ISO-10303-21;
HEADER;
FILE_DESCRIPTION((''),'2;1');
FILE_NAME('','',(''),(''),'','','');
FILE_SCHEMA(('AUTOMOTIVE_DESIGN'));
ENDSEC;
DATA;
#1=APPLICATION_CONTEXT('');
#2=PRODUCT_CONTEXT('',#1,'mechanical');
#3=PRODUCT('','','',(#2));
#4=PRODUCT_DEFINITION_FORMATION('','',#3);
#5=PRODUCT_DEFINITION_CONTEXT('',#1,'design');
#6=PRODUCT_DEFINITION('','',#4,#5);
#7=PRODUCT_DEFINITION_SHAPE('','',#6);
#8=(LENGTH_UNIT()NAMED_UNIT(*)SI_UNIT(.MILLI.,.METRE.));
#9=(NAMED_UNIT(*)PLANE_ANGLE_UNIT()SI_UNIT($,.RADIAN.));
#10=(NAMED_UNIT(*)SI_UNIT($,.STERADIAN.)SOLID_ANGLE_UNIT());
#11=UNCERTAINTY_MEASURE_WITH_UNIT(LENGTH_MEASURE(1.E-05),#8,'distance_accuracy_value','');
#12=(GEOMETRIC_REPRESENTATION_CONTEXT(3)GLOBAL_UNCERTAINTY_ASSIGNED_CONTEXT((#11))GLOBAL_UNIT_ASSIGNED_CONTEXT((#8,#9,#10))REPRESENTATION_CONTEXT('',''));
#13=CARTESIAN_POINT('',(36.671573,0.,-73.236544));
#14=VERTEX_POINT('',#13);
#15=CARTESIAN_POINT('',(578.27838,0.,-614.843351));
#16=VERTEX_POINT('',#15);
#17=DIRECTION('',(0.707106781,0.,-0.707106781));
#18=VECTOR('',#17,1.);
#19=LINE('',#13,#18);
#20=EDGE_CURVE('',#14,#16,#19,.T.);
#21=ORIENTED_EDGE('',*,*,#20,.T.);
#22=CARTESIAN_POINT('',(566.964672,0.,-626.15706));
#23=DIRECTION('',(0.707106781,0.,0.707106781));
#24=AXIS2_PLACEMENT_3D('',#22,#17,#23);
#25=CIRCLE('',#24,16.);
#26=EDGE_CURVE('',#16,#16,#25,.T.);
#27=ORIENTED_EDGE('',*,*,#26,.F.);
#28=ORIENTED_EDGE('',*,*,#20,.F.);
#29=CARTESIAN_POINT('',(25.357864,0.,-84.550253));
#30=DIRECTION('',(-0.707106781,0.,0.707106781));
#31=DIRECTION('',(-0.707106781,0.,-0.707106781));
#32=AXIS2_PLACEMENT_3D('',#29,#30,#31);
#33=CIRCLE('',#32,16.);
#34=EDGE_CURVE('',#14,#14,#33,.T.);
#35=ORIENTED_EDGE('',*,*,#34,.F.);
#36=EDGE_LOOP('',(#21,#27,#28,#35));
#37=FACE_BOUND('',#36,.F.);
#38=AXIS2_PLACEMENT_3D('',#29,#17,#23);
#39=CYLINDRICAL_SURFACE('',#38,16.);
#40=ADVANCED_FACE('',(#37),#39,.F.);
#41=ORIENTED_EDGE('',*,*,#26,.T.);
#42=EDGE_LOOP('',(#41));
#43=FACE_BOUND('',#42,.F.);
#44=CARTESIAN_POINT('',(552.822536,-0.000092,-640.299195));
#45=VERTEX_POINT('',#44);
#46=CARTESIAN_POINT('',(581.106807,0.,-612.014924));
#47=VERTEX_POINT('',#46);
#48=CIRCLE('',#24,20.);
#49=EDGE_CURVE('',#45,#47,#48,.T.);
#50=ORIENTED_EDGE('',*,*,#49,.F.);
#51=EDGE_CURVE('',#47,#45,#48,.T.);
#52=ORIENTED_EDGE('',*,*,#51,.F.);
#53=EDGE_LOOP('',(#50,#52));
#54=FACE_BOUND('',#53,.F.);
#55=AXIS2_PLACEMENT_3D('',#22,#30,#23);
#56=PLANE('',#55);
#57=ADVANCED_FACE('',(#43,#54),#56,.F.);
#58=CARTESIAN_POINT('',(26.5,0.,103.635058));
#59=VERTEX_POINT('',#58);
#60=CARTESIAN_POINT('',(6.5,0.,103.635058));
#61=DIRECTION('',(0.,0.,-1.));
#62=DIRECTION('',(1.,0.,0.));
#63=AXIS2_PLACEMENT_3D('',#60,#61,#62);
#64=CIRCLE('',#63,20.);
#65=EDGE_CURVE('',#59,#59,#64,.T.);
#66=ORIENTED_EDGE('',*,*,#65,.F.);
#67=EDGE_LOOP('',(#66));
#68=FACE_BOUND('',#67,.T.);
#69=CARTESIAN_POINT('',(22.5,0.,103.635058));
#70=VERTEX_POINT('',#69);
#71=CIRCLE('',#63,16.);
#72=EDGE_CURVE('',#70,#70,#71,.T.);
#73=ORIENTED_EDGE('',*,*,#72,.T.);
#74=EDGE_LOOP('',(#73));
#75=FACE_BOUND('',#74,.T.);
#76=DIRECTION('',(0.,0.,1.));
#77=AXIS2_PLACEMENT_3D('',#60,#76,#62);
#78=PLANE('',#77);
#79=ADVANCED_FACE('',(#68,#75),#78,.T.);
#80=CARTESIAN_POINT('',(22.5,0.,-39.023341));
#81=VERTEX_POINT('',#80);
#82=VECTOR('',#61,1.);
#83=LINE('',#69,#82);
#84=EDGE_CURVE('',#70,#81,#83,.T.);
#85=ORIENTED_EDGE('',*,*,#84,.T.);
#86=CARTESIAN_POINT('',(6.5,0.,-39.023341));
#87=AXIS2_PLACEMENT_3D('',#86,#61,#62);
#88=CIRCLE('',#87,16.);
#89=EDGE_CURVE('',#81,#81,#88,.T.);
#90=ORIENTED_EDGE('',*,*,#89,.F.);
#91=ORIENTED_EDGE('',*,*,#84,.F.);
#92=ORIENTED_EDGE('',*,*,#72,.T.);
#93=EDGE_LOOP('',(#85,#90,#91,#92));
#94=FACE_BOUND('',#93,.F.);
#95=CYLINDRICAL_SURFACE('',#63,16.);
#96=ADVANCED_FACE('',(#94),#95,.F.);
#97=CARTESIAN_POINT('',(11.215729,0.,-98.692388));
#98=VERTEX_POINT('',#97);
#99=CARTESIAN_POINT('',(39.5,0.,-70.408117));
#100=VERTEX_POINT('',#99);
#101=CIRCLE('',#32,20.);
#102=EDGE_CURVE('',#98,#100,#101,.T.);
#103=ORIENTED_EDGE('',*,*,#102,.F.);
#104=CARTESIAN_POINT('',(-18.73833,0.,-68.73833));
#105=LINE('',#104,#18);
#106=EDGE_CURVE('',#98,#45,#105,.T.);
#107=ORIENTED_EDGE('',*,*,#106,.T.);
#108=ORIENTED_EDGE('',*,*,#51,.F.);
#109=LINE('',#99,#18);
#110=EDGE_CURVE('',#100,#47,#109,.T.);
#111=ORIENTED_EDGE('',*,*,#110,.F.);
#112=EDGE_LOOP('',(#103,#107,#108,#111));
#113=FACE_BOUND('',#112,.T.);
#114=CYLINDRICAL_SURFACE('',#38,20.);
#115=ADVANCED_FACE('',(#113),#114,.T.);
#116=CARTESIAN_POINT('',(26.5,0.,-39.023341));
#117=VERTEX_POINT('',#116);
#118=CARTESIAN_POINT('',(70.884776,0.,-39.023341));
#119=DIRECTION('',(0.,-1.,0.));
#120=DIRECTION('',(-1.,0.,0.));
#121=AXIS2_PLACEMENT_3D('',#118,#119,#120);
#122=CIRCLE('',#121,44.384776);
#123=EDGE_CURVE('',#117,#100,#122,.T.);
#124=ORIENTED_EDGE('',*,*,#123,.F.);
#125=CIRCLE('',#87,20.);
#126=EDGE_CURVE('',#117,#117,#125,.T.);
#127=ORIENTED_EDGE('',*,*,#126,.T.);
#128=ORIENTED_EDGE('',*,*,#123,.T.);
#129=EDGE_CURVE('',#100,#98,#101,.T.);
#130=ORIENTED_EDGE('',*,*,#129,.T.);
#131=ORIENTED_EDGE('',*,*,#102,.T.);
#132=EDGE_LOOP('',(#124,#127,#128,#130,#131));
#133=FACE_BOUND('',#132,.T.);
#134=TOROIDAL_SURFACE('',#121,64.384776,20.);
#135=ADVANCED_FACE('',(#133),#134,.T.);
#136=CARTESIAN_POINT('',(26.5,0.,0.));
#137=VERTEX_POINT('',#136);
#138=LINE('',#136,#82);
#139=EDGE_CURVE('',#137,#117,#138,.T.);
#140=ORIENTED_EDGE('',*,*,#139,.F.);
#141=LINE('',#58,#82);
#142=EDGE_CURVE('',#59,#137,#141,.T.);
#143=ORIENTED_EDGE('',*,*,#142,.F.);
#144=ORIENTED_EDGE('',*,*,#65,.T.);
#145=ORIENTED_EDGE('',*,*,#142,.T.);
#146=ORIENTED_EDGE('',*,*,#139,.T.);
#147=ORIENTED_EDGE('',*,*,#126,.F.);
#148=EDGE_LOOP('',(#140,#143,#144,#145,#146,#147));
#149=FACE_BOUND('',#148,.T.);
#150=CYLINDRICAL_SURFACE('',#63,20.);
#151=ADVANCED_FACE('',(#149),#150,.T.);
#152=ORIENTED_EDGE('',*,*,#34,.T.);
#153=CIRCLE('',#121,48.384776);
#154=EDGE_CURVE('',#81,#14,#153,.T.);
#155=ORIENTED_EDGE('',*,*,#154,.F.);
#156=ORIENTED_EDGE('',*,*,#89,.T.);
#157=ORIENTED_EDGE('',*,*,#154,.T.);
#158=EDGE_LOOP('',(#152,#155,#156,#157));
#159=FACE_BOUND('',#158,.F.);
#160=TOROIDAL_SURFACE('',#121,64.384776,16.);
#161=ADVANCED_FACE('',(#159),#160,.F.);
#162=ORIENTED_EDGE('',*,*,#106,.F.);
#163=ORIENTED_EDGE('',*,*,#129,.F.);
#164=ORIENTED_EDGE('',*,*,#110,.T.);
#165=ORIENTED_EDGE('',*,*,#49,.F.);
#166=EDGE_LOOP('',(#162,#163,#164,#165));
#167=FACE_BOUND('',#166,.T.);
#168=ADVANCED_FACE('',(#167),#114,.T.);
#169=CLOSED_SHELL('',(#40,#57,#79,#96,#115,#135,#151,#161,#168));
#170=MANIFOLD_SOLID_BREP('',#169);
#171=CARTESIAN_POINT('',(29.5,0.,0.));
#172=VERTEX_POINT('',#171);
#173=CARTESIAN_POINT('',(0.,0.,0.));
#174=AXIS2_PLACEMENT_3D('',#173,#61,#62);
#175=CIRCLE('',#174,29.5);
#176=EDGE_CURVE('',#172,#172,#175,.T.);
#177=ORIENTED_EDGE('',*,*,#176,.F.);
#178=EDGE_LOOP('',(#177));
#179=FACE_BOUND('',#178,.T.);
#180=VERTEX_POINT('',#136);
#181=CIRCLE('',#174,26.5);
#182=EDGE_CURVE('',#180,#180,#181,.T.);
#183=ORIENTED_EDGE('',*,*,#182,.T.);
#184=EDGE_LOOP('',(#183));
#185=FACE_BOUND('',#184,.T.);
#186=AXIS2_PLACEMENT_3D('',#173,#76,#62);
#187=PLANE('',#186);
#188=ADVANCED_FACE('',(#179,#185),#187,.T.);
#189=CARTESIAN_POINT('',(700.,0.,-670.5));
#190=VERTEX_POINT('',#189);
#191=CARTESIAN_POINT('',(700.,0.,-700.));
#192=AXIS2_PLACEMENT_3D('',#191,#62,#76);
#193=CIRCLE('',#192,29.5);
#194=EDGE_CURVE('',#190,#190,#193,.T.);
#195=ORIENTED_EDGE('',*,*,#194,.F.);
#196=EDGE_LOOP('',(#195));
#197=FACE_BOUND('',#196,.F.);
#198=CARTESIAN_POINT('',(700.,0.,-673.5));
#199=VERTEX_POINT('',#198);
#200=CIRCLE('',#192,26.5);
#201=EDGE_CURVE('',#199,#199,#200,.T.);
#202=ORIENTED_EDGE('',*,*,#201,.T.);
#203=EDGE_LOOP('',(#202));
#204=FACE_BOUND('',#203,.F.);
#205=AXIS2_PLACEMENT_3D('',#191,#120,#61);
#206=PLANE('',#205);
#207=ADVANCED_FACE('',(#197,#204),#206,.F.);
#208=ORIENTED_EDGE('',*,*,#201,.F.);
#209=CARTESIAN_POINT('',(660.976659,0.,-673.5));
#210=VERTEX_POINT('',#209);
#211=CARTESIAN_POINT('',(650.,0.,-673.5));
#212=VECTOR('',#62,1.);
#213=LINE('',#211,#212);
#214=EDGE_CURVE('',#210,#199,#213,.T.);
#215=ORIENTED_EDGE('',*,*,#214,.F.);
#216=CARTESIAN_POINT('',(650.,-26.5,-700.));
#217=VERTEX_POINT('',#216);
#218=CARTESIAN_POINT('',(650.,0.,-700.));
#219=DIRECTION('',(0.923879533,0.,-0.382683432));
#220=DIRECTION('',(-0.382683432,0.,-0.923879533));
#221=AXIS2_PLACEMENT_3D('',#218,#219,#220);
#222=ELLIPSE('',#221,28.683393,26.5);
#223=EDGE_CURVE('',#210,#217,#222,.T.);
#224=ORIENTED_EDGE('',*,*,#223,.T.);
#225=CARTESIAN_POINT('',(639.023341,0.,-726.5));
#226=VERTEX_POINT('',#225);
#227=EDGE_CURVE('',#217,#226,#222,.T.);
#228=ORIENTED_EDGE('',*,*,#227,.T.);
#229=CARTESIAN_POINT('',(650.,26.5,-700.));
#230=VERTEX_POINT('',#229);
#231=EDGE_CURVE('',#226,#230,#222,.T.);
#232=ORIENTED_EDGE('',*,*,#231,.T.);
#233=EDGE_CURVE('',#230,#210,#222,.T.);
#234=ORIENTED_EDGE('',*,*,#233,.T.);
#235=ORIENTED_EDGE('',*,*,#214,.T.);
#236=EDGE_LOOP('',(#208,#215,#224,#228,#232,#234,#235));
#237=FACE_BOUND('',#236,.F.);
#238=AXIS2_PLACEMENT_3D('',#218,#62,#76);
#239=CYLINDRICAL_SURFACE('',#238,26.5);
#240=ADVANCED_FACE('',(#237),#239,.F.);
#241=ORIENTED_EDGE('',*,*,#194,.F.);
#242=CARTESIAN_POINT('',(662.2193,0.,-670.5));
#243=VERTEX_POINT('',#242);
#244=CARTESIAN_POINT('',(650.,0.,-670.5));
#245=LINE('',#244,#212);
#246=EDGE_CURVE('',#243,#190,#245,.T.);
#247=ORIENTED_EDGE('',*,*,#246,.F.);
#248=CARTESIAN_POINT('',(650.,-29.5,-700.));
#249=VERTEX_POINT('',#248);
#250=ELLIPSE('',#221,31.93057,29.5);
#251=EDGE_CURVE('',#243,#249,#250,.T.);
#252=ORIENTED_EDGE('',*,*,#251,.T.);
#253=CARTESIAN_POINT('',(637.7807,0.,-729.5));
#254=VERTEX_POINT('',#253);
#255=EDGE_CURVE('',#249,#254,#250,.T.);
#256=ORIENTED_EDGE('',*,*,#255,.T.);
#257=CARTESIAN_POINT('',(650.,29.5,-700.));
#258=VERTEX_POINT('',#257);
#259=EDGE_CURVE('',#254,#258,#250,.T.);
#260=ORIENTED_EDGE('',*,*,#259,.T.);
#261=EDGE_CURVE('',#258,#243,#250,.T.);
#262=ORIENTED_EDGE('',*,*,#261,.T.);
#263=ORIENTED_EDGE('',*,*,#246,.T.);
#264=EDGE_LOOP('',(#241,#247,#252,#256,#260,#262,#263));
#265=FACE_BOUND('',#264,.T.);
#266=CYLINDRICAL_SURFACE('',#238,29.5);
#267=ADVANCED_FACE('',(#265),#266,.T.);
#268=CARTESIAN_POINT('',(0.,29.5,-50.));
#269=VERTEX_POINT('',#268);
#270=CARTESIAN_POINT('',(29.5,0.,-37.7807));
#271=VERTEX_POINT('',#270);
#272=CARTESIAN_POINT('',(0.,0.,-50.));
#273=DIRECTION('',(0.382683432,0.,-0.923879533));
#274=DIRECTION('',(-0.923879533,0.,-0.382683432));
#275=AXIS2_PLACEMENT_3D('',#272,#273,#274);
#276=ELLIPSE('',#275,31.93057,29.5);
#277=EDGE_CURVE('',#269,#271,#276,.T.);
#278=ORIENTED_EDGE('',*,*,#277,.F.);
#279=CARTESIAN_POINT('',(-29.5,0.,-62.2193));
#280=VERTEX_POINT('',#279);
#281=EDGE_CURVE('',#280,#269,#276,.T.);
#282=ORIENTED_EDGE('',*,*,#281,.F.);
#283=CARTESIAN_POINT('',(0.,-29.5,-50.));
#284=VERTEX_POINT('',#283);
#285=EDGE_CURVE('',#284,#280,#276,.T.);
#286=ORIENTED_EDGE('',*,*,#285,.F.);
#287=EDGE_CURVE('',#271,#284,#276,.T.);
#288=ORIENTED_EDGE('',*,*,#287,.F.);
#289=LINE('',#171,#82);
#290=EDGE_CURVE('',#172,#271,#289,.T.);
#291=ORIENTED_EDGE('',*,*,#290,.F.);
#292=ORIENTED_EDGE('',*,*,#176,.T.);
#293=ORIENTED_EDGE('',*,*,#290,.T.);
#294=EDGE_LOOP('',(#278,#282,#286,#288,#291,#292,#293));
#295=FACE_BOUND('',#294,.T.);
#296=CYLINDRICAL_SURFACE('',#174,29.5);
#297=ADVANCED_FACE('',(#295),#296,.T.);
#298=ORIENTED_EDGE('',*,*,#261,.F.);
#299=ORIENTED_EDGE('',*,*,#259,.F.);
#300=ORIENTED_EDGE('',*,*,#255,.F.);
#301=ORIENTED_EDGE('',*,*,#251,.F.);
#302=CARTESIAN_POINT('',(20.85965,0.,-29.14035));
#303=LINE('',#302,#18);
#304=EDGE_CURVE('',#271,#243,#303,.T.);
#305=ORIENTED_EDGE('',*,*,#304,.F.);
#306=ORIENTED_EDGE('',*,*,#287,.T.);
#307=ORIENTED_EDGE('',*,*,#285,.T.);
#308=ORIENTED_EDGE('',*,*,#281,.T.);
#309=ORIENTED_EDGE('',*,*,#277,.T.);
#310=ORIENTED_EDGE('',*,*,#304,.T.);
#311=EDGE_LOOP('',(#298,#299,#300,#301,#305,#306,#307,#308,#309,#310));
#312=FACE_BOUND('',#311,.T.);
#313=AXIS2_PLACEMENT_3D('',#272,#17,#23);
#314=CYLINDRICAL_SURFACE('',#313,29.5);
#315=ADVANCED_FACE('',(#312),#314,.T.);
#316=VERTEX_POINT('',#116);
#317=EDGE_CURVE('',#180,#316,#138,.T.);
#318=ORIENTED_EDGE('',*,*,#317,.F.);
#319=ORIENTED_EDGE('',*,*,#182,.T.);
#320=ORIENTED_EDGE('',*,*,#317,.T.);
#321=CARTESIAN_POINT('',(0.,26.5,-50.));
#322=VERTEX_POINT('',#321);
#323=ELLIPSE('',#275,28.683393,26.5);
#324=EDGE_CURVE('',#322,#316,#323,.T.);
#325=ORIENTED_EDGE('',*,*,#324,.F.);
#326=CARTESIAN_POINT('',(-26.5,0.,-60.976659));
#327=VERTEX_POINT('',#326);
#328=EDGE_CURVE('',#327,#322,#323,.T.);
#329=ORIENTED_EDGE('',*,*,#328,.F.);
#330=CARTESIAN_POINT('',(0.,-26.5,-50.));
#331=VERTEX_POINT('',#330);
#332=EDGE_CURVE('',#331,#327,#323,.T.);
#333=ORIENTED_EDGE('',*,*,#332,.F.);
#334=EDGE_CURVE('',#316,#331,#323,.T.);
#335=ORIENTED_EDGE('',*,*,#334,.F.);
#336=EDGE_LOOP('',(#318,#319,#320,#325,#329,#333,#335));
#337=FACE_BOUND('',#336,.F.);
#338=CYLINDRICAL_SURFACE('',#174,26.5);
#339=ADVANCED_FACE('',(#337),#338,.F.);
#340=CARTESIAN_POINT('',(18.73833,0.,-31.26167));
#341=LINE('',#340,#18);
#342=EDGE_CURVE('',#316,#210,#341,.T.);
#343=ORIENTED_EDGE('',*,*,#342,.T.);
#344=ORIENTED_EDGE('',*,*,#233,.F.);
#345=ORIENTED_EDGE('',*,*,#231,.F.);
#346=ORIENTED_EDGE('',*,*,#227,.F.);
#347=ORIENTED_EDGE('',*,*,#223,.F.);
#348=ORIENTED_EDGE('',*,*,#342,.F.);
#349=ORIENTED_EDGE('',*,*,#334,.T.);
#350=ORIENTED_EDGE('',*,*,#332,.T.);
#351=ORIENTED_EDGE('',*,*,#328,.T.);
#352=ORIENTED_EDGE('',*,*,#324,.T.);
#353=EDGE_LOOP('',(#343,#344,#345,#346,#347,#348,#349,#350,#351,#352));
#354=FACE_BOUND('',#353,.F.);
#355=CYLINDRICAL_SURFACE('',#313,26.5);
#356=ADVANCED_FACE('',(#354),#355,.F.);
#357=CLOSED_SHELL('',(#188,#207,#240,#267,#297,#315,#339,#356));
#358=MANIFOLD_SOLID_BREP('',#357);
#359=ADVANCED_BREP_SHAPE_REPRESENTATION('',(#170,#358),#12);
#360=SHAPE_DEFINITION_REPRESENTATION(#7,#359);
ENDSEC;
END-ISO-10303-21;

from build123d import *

# Parameters (mm, degrees)
F0_R   = 29.5
F0_R_2 = 26.5
F4_R   = 20
F4_R_2 = 16


with BuildPart() as f2:
    # F2: sweep along a path in F1
    with BuildLine(Plane.XZ) as f2_path:
        Line((0, 0), (0, -50))
        Line((0, -50), (650, -700))
        Line((650, -700), (700, -700))
    # F0 (on Top) → F2 (sweep)
    with BuildSketch(Plane.XY):
        Circle(F0_R)
        Circle(F0_R_2, mode=Mode.SUBTRACT)
    sweep(path=f2_path.line, transition=Transition.RIGHT)

    # F5: sweep along a path in F3
    with BuildLine(Plane.XZ) as f5_path:
        Line((6.5, 103.635057807), (6.5, 0))
        Line((6.5, 0), (6.5, -39.0233405971))
        ThreePointArc((6.5, -39.0233405971), (11.4009992719, -63.6623277878), (25.3578643763, -84.5502525317))
        Line((25.3578643763, -84.5502525317), (566.9646715629, -626.1570597184))
    # F4 (on Top) → F5 (sweep)
    with BuildSketch(Plane.XY):
        with Locations((6.5, 0)):
            Circle(F4_R)
        with Locations((6.5, 0)):
            Circle(F4_R_2, mode=Mode.SUBTRACT)
    sweep(path=f5_path.line)


solid = f2.part
